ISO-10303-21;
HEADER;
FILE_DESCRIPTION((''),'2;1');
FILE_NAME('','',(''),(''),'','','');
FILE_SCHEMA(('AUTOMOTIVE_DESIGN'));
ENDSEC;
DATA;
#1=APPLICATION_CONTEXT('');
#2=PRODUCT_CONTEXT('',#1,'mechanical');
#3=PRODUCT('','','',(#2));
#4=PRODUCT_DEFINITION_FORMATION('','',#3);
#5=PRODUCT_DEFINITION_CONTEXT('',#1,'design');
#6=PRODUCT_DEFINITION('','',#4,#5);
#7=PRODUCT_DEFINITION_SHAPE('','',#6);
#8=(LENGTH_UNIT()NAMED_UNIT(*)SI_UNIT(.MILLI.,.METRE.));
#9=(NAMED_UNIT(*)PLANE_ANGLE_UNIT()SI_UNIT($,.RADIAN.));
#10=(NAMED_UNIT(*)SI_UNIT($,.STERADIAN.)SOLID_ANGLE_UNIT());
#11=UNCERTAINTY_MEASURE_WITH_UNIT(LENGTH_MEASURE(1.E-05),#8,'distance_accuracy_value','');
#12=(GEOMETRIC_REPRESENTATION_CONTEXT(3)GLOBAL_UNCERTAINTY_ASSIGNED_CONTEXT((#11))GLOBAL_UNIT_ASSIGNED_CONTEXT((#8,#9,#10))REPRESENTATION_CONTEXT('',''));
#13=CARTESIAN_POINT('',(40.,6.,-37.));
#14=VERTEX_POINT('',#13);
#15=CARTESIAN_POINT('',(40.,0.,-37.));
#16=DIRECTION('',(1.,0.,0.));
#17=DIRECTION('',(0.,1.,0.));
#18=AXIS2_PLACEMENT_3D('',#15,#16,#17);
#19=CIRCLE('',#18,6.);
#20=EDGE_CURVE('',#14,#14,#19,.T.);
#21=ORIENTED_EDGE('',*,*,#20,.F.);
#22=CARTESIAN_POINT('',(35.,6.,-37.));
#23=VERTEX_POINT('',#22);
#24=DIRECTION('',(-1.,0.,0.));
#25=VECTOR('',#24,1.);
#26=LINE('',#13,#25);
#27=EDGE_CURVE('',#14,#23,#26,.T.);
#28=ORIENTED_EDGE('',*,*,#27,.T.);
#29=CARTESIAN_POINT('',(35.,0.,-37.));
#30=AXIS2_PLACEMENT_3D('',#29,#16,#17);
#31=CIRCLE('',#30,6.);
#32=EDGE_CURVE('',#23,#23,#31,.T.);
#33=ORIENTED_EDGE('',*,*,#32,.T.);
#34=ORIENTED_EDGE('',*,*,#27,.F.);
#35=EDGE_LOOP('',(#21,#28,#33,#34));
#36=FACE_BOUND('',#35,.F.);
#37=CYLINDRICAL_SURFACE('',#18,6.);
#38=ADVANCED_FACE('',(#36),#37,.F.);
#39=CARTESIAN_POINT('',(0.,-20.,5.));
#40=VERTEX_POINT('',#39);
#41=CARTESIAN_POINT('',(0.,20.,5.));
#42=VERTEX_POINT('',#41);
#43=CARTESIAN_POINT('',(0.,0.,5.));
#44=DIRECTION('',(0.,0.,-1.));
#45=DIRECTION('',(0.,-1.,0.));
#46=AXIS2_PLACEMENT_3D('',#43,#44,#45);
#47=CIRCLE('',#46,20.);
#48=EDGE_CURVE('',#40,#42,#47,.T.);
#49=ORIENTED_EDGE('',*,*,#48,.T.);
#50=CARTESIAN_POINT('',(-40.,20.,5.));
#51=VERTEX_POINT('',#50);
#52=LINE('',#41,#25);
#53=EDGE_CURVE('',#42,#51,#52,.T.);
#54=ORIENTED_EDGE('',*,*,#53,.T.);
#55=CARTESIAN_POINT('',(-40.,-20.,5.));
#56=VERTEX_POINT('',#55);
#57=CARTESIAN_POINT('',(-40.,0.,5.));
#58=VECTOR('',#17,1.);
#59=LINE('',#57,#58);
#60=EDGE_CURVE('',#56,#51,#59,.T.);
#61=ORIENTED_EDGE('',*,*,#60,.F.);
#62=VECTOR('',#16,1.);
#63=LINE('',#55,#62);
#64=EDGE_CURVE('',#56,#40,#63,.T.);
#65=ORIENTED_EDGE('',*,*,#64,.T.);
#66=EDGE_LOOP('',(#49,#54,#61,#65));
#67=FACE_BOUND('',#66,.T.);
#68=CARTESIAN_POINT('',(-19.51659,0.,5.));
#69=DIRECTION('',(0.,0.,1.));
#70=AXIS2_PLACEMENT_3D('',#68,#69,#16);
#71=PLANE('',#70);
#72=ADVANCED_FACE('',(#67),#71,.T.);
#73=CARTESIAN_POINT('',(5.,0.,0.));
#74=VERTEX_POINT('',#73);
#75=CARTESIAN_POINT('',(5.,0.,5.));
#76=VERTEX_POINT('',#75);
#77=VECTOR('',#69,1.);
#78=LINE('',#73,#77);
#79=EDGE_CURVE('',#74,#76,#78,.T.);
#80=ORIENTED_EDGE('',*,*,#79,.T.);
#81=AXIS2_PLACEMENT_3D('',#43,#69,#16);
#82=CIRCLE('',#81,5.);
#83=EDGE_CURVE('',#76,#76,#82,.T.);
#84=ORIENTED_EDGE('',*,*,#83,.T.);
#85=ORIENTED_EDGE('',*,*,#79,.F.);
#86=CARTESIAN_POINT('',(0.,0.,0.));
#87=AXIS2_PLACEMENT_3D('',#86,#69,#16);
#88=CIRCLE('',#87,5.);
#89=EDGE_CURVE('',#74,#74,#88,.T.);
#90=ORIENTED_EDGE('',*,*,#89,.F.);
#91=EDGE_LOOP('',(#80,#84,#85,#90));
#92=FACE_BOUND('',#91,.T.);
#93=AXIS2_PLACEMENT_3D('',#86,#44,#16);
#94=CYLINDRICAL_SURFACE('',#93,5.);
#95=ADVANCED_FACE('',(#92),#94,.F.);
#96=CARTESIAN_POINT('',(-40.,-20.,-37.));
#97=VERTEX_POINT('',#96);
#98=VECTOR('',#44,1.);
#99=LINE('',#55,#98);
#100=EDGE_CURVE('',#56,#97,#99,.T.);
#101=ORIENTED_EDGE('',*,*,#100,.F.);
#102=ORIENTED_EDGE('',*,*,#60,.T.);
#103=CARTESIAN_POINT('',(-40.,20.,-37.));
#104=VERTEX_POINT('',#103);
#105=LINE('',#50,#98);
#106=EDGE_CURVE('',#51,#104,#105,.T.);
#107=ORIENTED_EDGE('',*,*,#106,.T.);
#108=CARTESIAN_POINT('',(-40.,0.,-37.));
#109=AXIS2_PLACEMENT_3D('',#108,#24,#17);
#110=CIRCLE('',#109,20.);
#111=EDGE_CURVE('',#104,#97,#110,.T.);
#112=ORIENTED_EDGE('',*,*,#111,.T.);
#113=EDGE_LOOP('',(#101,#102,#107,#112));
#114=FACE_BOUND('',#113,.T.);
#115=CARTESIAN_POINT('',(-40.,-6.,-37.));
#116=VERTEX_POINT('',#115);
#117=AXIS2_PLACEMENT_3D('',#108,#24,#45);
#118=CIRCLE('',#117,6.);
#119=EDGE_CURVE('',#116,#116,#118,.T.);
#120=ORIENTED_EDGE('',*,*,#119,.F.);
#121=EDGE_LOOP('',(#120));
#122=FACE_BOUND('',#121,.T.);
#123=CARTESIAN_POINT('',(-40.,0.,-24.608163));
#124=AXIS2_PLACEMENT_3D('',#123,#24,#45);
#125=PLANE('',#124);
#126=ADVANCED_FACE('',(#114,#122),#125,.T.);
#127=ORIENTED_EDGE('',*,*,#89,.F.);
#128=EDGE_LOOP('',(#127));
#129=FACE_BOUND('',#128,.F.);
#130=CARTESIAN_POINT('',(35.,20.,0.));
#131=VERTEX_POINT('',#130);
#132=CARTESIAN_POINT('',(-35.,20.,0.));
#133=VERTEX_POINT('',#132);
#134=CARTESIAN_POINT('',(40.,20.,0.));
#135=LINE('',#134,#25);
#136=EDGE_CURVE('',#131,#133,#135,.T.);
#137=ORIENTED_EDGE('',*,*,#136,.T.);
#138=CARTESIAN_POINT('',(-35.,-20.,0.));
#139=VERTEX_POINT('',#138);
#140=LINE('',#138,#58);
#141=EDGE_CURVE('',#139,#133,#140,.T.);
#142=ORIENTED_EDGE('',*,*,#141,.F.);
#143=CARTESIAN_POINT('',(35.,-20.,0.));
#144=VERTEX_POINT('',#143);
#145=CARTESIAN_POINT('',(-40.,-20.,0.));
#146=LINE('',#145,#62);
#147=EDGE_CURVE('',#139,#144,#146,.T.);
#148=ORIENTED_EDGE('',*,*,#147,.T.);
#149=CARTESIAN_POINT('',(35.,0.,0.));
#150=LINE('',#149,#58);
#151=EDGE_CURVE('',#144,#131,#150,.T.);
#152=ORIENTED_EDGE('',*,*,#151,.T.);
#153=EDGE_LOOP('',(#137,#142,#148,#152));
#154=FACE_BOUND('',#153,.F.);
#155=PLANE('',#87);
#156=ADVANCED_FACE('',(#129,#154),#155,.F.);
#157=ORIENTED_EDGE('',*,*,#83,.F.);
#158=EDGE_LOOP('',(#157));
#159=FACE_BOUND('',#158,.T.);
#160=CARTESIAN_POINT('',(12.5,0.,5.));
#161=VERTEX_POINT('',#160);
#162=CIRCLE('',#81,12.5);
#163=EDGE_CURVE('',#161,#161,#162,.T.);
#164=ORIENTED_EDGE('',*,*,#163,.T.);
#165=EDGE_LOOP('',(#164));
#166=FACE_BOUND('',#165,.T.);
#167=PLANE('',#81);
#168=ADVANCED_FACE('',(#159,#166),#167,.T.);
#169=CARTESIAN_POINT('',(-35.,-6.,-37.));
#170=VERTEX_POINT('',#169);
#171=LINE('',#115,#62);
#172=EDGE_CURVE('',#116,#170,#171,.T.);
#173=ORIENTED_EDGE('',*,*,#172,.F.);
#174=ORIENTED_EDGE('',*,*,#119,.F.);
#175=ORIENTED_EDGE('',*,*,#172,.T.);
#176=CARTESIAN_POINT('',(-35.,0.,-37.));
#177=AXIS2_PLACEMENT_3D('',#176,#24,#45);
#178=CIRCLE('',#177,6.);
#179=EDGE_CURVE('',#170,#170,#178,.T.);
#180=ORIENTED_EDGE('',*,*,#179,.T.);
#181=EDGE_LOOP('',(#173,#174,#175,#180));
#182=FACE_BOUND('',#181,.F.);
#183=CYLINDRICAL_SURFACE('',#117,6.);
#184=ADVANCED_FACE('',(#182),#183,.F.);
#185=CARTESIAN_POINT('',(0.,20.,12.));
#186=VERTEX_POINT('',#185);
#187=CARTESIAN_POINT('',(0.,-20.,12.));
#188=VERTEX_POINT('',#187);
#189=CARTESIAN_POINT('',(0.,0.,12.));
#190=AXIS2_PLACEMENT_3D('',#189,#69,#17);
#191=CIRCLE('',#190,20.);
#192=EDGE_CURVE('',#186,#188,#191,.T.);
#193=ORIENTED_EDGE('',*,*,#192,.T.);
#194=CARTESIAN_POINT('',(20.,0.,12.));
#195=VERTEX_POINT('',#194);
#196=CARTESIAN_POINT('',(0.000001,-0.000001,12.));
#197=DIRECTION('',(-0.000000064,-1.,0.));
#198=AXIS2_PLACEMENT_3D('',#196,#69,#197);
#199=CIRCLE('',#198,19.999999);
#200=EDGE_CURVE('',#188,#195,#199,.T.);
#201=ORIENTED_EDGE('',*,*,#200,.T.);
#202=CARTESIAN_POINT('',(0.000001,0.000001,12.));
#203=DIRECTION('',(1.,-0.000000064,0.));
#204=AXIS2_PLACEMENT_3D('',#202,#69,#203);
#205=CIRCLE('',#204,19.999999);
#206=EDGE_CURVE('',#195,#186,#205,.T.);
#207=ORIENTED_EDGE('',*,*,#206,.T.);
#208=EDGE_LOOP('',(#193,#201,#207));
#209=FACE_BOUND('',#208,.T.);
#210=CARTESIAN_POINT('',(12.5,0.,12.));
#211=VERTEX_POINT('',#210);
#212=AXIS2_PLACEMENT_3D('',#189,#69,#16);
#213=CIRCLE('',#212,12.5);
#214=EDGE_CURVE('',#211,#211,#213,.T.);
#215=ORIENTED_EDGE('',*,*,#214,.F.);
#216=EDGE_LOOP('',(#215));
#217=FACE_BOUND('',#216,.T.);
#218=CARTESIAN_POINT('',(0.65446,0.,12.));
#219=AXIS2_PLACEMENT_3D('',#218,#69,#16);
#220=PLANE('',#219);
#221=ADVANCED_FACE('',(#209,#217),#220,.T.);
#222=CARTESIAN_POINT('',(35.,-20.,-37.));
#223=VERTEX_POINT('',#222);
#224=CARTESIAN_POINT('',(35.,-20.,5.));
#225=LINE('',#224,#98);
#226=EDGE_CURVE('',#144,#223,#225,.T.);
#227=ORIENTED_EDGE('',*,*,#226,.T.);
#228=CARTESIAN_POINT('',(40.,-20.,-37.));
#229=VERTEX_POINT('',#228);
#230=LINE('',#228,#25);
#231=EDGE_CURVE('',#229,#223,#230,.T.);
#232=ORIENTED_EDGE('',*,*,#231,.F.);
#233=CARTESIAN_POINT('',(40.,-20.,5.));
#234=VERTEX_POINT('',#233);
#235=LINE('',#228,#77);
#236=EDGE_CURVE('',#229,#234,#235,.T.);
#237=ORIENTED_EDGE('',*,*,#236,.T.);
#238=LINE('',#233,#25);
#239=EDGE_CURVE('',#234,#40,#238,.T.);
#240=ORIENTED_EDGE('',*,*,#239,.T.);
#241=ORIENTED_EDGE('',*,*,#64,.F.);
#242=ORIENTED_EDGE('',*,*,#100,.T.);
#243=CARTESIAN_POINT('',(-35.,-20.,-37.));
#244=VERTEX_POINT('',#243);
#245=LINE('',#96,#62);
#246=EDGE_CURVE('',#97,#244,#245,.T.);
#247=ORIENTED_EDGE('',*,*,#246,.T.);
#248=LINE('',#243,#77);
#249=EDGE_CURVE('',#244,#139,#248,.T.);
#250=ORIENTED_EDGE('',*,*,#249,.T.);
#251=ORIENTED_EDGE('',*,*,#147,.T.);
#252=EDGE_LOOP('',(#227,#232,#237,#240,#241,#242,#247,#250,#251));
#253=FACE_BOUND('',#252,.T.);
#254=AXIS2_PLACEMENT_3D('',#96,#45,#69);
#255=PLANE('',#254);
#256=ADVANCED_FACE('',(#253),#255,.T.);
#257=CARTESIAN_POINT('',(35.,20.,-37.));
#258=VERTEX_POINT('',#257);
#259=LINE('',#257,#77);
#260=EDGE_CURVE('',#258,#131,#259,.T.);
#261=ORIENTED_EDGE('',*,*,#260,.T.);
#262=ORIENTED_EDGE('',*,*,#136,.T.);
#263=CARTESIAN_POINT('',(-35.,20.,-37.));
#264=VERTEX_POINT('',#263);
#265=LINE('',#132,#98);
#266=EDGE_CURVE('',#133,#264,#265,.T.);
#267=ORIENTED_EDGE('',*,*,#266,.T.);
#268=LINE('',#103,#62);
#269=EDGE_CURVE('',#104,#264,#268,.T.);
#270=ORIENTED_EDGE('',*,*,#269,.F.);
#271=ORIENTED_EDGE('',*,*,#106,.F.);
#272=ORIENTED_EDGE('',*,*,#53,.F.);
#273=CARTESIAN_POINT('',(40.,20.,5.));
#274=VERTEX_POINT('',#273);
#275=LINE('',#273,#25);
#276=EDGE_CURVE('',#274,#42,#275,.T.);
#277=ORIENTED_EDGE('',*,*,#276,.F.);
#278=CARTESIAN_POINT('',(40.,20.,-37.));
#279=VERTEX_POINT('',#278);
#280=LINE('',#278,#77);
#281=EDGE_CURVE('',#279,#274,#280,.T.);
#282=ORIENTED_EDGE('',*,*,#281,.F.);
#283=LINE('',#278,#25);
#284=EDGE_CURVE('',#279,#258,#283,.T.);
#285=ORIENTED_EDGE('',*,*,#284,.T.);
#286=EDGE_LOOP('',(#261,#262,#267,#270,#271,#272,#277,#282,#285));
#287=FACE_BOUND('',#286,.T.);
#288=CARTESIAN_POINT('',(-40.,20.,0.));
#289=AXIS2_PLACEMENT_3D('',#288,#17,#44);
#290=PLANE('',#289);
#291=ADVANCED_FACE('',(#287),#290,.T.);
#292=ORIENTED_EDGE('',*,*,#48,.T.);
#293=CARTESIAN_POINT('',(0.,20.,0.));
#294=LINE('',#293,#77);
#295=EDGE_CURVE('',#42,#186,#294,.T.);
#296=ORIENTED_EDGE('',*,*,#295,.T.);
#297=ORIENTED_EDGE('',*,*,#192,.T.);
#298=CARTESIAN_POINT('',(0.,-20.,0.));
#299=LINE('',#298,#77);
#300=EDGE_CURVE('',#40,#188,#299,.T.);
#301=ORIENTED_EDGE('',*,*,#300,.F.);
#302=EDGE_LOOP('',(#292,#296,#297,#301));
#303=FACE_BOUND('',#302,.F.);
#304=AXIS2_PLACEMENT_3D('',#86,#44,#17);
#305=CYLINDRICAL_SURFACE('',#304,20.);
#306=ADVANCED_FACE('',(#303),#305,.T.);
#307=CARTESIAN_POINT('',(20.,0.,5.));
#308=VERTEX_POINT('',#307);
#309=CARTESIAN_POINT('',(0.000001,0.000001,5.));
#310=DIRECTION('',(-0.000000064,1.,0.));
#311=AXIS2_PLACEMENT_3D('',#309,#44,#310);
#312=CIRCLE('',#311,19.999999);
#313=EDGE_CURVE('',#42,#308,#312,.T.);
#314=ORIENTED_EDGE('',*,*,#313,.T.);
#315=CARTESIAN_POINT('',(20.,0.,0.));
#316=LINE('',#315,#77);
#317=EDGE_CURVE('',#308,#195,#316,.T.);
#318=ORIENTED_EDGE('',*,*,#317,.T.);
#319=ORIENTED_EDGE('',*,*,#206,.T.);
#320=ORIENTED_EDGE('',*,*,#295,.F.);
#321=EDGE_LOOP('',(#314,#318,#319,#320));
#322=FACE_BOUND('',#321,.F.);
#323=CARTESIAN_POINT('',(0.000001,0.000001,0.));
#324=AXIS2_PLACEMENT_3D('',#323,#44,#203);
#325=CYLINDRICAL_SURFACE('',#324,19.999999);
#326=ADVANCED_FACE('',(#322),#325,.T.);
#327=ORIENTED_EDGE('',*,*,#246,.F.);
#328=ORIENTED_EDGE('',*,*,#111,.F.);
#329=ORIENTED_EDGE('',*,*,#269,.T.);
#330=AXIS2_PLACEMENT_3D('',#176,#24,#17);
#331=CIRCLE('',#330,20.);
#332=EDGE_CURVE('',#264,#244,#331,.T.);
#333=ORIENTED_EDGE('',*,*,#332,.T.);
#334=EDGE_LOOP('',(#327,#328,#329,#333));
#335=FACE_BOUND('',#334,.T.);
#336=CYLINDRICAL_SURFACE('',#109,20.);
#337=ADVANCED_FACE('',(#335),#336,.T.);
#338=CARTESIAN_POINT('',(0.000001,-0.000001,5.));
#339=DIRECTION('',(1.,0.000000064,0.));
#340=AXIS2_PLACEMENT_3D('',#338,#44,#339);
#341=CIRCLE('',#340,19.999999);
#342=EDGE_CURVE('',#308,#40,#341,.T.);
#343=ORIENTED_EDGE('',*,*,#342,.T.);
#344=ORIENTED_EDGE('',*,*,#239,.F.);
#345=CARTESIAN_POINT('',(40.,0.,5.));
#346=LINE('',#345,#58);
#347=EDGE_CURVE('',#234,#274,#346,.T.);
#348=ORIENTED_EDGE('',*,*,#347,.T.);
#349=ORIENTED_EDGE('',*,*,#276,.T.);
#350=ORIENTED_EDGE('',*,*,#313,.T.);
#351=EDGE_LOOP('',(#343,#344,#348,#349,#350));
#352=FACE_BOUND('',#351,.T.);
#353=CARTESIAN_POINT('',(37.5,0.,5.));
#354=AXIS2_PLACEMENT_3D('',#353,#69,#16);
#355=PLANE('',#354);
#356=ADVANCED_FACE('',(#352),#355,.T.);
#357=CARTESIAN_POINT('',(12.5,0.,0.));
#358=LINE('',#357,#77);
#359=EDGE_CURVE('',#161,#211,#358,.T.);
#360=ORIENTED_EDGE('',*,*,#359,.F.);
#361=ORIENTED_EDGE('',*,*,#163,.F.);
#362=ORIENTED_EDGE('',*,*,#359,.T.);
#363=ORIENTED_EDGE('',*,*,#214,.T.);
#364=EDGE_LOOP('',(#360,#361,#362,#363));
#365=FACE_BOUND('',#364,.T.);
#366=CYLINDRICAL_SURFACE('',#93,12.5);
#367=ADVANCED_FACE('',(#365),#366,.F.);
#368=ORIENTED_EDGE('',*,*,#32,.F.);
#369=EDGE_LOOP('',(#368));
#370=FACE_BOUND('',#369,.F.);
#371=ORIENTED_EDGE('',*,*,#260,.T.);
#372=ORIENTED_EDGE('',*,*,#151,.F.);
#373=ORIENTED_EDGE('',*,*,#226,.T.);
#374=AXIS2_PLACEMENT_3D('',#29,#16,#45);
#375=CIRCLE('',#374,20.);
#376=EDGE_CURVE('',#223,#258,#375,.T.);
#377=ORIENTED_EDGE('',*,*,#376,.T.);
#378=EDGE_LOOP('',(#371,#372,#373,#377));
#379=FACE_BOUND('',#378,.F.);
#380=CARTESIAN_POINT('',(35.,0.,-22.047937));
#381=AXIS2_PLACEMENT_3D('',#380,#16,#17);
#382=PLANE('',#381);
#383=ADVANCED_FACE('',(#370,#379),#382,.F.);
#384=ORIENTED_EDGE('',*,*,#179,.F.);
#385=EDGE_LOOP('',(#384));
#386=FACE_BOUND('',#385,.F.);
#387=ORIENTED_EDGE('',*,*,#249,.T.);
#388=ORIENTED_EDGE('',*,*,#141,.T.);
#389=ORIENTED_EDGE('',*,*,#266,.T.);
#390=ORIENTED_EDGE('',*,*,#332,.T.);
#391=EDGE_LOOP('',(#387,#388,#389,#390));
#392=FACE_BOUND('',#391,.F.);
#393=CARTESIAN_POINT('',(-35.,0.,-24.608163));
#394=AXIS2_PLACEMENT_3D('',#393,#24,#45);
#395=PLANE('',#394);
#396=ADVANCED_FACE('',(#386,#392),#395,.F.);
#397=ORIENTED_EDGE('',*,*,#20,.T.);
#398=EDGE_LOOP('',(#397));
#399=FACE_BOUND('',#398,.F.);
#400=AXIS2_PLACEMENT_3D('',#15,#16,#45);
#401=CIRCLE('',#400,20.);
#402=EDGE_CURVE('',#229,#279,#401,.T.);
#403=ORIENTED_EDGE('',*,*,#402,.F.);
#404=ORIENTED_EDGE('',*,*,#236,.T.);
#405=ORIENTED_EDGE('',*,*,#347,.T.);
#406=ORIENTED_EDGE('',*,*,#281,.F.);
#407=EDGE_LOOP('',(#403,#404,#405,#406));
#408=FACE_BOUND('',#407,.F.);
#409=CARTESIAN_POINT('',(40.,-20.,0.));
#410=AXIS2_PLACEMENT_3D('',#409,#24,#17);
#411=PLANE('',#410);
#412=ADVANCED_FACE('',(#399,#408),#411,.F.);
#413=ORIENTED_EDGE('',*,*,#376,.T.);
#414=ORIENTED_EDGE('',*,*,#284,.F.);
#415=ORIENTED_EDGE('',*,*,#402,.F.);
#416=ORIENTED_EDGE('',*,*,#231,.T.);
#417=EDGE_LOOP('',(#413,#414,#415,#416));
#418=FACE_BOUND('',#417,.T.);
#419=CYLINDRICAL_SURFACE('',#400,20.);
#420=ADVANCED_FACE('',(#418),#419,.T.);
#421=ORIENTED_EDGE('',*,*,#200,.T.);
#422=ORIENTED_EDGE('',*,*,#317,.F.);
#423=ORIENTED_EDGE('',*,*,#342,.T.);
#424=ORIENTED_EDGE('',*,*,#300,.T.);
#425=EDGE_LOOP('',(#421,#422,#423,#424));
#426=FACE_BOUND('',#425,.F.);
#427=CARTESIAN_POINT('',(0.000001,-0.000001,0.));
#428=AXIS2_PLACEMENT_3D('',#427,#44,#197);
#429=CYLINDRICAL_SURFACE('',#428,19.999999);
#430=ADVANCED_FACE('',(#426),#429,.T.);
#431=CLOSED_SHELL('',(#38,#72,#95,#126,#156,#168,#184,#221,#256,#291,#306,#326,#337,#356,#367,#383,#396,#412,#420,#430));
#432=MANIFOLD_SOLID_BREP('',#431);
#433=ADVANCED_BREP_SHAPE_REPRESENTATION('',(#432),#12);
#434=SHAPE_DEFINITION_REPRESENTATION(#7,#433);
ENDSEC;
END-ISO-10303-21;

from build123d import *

# Parameters (mm, degrees)
F0_W     = 5
F0_H     = 40
F1_DEPTH = 5
F0_R     = 12.5
F2_DEPTH = 12
F0_R_2   = 5
F3_DEPTH = 5
F4_R     = 6
F5_DEPTH = 5
F6_R     = 6
F7_DEPTH = 5


with BuildPart() as f1:
    # F0 (on Top) → F1 (new body)
    with BuildSketch(Plane.XY):
        with Locations((37.5, 0)):
            Rectangle(F0_W, F0_H)
        with BuildLine():
            Line((0, -20), (35, -20))
            Line((35, -20), (35, 20))
            Line((35, 20), (0, 20))
            ThreePointArc((0, 20), (14.142136, 14.142136), (20, 0))
            ThreePointArc((20, 0), (14.142136, -14.142136), (0, -20))
        make_face()
        with BuildLine():
            Line((-35, -20), (0, -20))
            ThreePointArc((0, -20), (-20, 0), (0, 20))
            Line((0, 20), (-35, 20))
            Line((-35, 20), (-35, -20))
        make_face()
        with Locations((-37.5, 0)):
            Rectangle(F0_W, F0_H)
    extrude(amount=F1_DEPTH)

    # F0 (on Top) → F2 (join)
    with BuildSketch(Plane.XY):
        with BuildLine():
            ThreePointArc((0, 20), (-20, 0), (0, -20))
            ThreePointArc((0, -20), (14.142136, -14.142136), (20, 0))
            ThreePointArc((20, 0), (14.142136, 14.142136), (0, 20))
        make_face()
        Circle(F0_R, mode=Mode.SUBTRACT)
    extrude(amount=F2_DEPTH)

    # F0 (on Top) → F3 (join)
    with BuildSketch(Plane.XY):
        Circle(F0_R)
        Circle(F0_R_2, mode=Mode.SUBTRACT)
    extrude(amount=F3_DEPTH)

    # F4 (on face) → F5 (join)
    with BuildSketch(Plane(origin=(-40, 0, 0), x_dir=(0, -1, 0), z_dir=(-1, 0, 0))):
        with BuildLine():
            Line((20, 0), (-20, 0))
            Line((-20, 0), (-20, -37))
            ThreePointArc((-20, -37), (0, -57), (20, -37))
            Line((20, -37), (20, 0))
        make_face()
        with Locations((0, -37)):
            Circle(F4_R, mode=Mode.SUBTRACT)
    extrude(amount=-F5_DEPTH)

    # F6 (on face) → F7 (join)
    with BuildSketch(Plane.YZ.offset(40)):
        with BuildLine():
            Line((-20, 5), (-20, 0))
            Line((-20, 0), (-20, -37))
            ThreePointArc((-20, -37), (0, -57), (20, -37))
            Line((20, -37), (20, 0))
            Line((20, 0), (20, 5))
            Line((20, 5), (-20, 5))
        make_face()
        with Locations((0, -37)):
            Circle(F6_R, mode=Mode.SUBTRACT)
    extrude(amount=-F7_DEPTH)


solid = f1.part
